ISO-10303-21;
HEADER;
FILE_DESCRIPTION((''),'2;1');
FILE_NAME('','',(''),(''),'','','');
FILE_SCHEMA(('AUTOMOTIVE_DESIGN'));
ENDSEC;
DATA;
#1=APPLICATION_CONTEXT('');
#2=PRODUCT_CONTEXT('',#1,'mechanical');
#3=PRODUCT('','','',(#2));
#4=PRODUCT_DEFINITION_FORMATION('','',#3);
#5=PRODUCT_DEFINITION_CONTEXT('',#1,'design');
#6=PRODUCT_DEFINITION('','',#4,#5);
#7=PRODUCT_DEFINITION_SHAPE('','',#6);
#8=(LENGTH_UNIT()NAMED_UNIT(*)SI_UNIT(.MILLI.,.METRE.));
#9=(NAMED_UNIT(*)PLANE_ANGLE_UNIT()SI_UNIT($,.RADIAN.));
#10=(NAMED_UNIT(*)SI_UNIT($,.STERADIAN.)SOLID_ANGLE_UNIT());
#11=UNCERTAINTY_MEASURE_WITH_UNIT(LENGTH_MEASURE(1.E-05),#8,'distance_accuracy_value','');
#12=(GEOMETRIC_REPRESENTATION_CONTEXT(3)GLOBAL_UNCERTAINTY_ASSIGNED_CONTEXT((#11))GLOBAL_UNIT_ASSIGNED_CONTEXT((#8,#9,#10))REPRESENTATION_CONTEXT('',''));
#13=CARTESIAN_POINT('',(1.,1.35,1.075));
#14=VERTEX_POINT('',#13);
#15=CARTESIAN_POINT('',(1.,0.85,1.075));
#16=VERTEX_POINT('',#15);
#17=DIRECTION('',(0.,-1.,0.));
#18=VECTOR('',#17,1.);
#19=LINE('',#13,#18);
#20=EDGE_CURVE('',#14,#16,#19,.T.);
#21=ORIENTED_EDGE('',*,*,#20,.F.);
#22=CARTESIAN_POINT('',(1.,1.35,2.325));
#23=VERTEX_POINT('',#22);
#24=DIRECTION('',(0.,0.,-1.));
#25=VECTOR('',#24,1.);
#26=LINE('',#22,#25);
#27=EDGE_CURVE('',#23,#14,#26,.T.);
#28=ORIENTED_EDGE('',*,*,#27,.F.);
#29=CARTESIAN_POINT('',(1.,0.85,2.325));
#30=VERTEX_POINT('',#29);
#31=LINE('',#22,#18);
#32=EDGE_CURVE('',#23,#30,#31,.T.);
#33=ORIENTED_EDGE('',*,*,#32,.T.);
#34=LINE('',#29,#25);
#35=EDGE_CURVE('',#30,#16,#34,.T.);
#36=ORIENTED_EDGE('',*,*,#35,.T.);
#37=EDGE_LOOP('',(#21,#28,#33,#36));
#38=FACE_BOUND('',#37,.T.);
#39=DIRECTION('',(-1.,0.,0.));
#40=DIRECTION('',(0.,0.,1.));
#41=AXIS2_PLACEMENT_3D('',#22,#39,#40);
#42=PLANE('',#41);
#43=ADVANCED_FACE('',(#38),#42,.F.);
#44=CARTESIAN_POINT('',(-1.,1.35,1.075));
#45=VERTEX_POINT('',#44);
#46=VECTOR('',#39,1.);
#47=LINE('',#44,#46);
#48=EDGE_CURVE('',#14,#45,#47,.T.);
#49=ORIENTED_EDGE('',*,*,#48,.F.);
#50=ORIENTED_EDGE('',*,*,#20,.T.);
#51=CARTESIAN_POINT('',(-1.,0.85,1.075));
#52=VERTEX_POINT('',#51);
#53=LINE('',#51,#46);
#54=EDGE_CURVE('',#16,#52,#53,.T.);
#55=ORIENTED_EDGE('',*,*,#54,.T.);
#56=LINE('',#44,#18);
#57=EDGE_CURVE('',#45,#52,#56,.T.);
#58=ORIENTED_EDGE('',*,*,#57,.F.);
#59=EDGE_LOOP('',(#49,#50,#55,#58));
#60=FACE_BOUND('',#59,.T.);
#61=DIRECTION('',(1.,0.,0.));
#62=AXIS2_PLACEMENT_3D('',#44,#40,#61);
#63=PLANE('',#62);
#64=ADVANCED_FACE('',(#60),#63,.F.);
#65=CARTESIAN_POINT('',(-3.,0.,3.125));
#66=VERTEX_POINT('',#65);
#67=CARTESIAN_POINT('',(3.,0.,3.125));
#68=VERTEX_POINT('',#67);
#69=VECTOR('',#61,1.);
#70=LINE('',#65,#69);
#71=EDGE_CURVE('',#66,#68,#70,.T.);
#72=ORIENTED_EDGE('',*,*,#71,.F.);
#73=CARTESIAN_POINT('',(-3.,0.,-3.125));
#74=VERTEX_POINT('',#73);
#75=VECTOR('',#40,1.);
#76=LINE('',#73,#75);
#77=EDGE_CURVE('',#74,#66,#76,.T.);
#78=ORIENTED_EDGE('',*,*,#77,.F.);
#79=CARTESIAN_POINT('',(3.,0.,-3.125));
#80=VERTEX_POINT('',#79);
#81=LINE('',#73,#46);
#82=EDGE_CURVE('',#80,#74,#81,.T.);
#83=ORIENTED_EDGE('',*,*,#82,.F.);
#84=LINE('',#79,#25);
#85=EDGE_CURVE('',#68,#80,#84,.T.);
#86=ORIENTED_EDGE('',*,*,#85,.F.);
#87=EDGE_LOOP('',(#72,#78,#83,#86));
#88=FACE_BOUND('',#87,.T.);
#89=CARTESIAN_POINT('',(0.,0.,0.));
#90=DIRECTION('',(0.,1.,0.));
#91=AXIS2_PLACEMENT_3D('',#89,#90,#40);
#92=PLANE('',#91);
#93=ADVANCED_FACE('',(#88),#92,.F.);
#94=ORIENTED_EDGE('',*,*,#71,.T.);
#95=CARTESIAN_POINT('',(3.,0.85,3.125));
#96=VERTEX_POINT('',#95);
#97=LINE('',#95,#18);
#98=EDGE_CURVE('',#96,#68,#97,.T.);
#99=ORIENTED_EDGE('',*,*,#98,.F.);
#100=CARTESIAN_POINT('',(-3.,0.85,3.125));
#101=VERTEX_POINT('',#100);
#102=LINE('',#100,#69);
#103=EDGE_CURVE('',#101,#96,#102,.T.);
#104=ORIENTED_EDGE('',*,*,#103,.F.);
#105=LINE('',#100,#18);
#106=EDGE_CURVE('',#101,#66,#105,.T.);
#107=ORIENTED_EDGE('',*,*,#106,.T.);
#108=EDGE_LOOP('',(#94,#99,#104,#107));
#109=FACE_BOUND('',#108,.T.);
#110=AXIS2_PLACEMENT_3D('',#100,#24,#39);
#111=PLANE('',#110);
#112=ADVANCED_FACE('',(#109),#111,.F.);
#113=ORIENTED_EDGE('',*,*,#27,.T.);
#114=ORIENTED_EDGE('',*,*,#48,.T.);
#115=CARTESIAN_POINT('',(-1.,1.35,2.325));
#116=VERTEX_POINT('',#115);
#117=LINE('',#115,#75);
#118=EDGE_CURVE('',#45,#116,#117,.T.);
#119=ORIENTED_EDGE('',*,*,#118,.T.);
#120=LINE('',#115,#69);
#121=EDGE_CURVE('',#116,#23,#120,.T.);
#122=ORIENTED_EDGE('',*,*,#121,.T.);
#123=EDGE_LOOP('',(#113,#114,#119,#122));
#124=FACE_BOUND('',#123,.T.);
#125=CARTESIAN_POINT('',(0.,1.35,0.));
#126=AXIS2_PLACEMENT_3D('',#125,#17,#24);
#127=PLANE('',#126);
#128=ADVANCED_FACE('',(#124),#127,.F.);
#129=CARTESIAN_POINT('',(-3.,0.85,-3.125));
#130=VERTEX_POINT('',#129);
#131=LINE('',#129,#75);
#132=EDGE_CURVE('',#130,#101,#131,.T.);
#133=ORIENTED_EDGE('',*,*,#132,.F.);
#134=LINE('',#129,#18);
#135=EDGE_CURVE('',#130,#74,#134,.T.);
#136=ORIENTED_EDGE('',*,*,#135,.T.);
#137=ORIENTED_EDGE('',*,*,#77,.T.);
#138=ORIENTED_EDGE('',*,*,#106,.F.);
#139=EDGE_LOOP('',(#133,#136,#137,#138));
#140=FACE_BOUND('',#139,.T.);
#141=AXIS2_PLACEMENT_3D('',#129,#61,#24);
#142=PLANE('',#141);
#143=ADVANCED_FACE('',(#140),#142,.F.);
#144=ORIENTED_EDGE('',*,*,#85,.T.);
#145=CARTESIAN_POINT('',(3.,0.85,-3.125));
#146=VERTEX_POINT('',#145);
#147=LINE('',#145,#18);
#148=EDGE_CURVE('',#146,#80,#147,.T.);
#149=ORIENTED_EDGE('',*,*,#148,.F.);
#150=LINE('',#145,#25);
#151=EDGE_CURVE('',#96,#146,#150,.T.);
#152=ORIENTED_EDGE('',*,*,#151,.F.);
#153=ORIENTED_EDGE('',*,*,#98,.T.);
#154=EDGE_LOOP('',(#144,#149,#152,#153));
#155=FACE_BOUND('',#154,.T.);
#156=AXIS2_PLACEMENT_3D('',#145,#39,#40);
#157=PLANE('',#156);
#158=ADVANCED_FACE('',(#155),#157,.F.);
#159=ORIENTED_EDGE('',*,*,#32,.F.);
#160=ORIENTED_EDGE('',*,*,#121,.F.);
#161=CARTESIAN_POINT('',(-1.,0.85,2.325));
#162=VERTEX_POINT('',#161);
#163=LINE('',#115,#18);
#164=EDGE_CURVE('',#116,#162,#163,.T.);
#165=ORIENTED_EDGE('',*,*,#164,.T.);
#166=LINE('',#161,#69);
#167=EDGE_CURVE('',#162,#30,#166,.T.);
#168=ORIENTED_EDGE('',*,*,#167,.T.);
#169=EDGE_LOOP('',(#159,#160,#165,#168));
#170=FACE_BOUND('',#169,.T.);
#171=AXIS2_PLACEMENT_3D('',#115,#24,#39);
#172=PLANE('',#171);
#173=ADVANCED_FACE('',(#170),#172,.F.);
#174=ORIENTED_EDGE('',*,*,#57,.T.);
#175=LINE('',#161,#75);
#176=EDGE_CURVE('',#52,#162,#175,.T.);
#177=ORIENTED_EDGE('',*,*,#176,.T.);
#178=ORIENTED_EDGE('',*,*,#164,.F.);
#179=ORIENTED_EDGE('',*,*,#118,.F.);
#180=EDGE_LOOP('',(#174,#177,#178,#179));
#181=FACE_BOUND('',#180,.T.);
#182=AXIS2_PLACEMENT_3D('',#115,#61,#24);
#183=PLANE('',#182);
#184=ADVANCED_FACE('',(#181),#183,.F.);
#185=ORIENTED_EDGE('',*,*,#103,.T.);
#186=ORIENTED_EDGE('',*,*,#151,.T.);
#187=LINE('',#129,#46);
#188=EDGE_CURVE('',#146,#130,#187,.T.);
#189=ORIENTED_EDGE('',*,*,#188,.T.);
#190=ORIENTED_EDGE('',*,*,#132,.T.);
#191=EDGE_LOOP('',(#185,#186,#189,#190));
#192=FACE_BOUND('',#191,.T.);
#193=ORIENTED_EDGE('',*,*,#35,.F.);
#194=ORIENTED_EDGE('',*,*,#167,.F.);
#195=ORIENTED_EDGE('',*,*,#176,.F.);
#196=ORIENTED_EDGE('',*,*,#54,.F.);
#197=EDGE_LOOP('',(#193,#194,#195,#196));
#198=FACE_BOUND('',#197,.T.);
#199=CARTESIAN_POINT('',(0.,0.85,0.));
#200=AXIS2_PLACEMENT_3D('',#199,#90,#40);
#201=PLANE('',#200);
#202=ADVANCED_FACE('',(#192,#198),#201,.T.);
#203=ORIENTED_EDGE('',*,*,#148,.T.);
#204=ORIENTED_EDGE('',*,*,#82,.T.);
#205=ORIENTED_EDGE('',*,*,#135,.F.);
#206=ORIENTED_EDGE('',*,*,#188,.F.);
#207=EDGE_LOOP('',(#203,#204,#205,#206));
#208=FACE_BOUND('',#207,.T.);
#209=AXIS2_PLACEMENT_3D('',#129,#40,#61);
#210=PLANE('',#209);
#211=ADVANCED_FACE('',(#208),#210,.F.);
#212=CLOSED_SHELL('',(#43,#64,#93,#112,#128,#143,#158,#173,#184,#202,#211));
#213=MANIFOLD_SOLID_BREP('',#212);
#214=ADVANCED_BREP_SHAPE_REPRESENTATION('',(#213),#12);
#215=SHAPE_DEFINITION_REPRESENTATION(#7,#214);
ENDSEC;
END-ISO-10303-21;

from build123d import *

# Parameters (mm, degrees)
SKETCH1_W           = 6
SKETCH1_H           = 6.25
BOSS_EXTRUDE1_DEPTH = 0.85
SKETCH2_W           = 2
SKETCH2_H           = 1.25
BOSS_EXTRUDE2_DEPTH = 0.5


with BuildPart() as part:
    # Sketch1 → Boss-Extrude1 (new body)
    with BuildSketch(Plane(origin=(0, 0, 0), x_dir=(1, 0, 0), z_dir=(0, 1, 0))):
        Rectangle(SKETCH1_W, SKETCH1_H)
    extrude(amount=BOSS_EXTRUDE1_DEPTH)

    # Sketch2 → Boss-Extrude2 (add)
    with BuildSketch(Plane(origin=(0, 0.85, 0), x_dir=(1, 0, 0), z_dir=(0, 1, 0))):
        with Locations((0, -1.7)):
            Rectangle(SKETCH2_W, SKETCH2_H)
    extrude(amount=BOSS_EXTRUDE2_DEPTH)


solid = part.part
